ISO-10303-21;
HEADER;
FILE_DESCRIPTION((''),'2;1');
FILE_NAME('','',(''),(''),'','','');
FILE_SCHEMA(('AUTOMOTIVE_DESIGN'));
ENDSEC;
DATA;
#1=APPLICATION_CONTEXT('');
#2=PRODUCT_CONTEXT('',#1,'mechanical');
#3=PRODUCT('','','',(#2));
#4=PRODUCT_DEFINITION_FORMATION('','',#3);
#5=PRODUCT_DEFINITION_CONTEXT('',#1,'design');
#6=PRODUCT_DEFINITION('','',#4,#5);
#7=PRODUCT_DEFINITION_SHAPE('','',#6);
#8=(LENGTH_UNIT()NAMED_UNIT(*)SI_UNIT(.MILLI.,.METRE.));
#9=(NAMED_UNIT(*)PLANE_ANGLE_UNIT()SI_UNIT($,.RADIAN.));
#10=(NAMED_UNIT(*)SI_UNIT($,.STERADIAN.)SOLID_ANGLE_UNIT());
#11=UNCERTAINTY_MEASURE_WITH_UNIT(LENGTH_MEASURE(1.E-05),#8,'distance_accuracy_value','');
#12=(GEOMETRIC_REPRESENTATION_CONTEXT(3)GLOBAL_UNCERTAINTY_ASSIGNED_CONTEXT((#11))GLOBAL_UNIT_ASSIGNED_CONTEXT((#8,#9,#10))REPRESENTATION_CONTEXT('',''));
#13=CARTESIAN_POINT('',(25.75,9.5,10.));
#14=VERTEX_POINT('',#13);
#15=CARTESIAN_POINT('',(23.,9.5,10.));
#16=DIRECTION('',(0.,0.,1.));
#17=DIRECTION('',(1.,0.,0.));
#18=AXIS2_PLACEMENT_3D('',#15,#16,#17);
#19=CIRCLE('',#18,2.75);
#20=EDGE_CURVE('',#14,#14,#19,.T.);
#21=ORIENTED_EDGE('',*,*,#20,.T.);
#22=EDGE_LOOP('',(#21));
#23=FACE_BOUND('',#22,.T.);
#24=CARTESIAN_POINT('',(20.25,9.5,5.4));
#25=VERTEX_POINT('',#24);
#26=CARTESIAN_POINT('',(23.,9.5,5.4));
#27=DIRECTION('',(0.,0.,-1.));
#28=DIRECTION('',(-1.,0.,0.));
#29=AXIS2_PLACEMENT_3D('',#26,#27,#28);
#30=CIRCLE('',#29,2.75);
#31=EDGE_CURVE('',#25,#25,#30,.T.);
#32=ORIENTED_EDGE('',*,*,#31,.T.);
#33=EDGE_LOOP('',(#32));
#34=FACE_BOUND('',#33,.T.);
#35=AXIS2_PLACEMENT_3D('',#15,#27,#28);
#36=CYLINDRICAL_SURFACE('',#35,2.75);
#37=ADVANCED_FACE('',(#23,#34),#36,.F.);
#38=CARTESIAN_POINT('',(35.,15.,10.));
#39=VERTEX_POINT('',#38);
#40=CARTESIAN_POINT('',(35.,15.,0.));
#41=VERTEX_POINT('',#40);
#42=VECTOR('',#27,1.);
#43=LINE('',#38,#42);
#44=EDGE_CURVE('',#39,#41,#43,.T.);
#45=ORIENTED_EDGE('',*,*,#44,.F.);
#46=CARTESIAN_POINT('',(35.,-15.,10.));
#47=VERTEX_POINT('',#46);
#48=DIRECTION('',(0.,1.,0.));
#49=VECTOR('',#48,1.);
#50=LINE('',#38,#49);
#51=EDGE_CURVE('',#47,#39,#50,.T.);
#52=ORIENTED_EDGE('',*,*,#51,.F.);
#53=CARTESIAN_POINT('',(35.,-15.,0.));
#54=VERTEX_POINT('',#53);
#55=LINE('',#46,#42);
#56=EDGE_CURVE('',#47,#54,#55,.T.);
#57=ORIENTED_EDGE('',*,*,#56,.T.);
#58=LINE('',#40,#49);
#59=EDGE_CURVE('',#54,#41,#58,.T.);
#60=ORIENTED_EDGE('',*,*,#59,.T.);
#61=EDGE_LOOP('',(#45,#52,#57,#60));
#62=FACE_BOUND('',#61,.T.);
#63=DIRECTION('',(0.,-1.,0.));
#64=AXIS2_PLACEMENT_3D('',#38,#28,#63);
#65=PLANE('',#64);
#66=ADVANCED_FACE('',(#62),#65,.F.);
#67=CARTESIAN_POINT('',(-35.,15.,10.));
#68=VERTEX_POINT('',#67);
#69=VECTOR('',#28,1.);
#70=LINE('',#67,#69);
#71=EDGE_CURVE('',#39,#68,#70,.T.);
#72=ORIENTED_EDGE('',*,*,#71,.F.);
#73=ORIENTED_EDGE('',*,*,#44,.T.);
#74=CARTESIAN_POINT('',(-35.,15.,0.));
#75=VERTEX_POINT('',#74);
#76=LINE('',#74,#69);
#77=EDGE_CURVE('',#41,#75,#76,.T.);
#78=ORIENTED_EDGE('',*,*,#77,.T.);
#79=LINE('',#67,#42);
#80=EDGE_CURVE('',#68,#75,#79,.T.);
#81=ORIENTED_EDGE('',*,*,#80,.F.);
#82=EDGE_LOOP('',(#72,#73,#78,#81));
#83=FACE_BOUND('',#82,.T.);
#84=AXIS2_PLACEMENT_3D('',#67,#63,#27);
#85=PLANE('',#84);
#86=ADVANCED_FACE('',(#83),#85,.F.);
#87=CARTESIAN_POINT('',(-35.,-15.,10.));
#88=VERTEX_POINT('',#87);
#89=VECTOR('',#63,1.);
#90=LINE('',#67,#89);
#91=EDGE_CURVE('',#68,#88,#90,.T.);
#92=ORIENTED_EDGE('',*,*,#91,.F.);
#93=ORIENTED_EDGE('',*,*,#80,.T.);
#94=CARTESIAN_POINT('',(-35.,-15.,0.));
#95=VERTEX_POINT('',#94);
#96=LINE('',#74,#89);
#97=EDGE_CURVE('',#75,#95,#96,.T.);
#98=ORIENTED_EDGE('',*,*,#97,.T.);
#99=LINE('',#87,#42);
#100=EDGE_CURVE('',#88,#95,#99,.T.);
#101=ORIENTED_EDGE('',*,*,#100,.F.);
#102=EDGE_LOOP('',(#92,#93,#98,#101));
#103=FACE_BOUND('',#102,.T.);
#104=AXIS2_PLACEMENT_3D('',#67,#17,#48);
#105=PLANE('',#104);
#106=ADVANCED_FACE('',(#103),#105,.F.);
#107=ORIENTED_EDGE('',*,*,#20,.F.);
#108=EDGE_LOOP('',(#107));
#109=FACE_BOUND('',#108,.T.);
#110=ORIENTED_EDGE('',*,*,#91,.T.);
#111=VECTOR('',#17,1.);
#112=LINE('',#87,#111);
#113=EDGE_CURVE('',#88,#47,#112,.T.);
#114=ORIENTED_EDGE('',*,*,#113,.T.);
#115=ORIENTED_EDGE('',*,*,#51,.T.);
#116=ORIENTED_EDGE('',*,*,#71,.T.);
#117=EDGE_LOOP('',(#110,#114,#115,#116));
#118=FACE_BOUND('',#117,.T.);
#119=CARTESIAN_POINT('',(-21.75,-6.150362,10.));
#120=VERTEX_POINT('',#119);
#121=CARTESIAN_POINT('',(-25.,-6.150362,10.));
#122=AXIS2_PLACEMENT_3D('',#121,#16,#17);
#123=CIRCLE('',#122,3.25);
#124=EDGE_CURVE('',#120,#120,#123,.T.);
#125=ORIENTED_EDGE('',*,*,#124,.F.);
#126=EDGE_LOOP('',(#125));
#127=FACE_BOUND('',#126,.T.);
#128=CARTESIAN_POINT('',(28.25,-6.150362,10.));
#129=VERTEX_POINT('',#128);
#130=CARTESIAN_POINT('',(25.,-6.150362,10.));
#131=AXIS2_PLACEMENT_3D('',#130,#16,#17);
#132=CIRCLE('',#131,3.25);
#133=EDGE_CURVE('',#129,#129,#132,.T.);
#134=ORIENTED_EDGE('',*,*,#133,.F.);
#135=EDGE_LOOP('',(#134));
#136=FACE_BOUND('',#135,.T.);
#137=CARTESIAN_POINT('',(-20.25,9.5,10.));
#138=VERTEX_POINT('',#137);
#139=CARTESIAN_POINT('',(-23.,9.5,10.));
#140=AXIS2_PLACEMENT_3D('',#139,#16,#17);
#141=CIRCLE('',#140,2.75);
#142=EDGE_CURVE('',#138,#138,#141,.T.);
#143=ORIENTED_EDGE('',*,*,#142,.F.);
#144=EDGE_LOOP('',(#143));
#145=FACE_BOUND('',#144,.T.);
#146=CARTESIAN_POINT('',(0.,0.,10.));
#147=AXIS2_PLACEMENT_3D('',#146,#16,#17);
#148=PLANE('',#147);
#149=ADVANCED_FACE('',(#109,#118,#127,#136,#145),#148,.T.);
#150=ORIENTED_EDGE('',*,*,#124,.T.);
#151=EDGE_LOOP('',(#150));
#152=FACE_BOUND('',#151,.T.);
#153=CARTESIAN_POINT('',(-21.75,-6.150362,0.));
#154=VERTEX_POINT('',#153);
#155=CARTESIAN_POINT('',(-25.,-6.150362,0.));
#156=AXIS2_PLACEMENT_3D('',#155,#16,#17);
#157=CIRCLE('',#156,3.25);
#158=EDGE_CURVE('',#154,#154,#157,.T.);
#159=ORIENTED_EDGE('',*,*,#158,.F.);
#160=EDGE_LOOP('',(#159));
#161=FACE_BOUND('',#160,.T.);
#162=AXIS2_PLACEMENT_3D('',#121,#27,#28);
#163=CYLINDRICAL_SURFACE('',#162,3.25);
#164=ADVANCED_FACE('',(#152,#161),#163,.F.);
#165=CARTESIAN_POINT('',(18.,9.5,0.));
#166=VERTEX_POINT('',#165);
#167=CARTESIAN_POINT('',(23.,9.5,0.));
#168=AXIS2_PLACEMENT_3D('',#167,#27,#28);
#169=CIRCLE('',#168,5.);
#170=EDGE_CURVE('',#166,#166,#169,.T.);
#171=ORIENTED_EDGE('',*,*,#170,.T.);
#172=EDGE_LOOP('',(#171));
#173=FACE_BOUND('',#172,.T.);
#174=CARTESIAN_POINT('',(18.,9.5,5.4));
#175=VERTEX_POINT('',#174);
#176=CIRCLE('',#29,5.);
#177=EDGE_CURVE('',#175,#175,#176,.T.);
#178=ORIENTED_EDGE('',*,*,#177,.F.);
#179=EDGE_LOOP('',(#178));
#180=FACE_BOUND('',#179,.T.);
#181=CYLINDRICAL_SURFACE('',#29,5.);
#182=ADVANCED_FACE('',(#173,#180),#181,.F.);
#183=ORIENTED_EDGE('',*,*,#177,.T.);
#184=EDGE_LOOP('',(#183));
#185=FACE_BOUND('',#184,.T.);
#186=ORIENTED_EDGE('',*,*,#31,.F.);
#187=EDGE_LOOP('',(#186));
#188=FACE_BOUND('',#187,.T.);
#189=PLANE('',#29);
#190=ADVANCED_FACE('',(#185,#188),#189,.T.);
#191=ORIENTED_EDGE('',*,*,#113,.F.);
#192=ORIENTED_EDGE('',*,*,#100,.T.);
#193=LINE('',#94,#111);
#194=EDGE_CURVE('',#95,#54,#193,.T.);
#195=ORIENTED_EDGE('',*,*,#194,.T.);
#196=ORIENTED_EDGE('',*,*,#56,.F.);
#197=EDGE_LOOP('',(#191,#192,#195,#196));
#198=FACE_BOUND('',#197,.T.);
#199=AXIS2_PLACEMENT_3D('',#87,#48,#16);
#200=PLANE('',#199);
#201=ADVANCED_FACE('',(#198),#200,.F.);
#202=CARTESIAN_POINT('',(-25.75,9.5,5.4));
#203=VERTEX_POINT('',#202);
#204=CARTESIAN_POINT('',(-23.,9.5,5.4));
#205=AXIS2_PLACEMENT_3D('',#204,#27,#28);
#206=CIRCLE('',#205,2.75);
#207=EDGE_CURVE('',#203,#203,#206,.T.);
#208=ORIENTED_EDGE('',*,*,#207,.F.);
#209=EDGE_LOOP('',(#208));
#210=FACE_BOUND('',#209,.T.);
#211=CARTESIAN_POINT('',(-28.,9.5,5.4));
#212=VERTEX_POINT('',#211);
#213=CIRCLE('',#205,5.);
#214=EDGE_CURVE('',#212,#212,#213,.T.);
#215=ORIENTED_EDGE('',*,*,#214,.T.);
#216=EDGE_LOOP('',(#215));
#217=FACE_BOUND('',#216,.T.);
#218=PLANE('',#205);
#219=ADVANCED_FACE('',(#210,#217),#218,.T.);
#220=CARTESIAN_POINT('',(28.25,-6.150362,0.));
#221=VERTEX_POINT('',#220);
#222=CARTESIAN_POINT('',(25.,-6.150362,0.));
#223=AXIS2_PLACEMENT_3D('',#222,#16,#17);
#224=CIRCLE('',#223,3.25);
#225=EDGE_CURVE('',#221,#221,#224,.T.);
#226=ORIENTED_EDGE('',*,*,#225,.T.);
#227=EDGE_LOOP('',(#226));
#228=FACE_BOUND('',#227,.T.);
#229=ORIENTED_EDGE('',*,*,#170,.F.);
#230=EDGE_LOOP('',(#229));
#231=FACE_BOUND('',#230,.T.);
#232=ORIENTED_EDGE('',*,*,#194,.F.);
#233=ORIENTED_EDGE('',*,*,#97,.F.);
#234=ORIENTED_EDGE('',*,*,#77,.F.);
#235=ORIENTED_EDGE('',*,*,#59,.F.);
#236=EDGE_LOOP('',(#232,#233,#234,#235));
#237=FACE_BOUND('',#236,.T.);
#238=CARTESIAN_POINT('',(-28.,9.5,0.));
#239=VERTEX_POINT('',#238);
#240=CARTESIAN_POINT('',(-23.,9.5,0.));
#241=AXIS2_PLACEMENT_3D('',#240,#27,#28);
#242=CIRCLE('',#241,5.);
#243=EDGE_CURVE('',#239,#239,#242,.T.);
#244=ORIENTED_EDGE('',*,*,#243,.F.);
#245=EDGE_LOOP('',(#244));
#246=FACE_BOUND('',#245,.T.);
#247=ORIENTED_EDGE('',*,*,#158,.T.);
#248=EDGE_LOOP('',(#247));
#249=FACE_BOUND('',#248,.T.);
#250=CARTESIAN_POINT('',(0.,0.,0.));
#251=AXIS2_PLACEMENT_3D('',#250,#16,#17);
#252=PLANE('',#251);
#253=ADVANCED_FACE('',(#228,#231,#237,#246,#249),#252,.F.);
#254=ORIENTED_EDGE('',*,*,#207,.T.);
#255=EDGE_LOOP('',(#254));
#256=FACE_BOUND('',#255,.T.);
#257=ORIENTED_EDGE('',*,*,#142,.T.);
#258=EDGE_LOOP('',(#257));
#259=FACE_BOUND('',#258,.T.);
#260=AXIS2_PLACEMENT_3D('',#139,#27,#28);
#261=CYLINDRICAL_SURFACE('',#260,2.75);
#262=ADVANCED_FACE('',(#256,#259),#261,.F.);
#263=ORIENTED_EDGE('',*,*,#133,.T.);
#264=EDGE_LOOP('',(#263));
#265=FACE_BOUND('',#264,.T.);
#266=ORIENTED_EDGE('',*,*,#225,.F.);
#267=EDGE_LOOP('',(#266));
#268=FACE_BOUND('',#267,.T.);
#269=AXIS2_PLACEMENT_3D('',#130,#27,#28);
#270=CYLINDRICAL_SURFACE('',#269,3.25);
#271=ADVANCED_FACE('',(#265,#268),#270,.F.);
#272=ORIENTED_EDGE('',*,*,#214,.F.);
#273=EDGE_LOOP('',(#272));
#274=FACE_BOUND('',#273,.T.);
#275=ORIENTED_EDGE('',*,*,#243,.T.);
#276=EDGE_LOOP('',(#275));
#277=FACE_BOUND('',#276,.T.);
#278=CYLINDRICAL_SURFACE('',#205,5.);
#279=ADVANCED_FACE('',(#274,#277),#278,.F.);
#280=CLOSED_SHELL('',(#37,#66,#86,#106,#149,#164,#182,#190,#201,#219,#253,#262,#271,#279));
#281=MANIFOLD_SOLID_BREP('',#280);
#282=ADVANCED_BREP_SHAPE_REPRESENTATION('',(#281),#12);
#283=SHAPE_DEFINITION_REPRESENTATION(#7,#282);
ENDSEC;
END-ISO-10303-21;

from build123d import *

# Parameters (mm, degrees)
SKETCH1_W           = 70
SKETCH1_H           = 30
SKETCH1_R           = 3.25
SKETCH1_R_2         = 2.75
BOSS_EXTRUDE1_DEPTH = 10
SKETCH3_R           = 5
CUT_EXTRUDE1_DEPTH  = 5.4


with BuildPart() as part:
    # Sketch1 → Boss-Extrude1 (new body)
    with BuildSketch(Plane.XY):
        Rectangle(SKETCH1_W, SKETCH1_H)
        with Locations((-25, -6.150362319)):
            Circle(SKETCH1_R, mode=Mode.SUBTRACT)
        with Locations((25, -6.150362319)):
            Circle(SKETCH1_R, mode=Mode.SUBTRACT)
        with Locations((-23, 9.5)):
            Circle(SKETCH1_R_2, mode=Mode.SUBTRACT)
        with Locations((23, 9.5)):
            Circle(SKETCH1_R_2, mode=Mode.SUBTRACT)
    extrude(amount=BOSS_EXTRUDE1_DEPTH)

    # Sketch3 → Cut-Extrude1 (cut)
    with BuildSketch(Plane(origin=(0, 0, 0), x_dir=(-1, 0, 0), z_dir=(0, 0, -1))):
        with Locations((-23, 9.5)):
            Circle(SKETCH3_R)
        with Locations((23, 9.5)):
            Circle(SKETCH3_R)
    extrude(amount=-CUT_EXTRUDE1_DEPTH, mode=Mode.SUBTRACT)


solid = part.part
